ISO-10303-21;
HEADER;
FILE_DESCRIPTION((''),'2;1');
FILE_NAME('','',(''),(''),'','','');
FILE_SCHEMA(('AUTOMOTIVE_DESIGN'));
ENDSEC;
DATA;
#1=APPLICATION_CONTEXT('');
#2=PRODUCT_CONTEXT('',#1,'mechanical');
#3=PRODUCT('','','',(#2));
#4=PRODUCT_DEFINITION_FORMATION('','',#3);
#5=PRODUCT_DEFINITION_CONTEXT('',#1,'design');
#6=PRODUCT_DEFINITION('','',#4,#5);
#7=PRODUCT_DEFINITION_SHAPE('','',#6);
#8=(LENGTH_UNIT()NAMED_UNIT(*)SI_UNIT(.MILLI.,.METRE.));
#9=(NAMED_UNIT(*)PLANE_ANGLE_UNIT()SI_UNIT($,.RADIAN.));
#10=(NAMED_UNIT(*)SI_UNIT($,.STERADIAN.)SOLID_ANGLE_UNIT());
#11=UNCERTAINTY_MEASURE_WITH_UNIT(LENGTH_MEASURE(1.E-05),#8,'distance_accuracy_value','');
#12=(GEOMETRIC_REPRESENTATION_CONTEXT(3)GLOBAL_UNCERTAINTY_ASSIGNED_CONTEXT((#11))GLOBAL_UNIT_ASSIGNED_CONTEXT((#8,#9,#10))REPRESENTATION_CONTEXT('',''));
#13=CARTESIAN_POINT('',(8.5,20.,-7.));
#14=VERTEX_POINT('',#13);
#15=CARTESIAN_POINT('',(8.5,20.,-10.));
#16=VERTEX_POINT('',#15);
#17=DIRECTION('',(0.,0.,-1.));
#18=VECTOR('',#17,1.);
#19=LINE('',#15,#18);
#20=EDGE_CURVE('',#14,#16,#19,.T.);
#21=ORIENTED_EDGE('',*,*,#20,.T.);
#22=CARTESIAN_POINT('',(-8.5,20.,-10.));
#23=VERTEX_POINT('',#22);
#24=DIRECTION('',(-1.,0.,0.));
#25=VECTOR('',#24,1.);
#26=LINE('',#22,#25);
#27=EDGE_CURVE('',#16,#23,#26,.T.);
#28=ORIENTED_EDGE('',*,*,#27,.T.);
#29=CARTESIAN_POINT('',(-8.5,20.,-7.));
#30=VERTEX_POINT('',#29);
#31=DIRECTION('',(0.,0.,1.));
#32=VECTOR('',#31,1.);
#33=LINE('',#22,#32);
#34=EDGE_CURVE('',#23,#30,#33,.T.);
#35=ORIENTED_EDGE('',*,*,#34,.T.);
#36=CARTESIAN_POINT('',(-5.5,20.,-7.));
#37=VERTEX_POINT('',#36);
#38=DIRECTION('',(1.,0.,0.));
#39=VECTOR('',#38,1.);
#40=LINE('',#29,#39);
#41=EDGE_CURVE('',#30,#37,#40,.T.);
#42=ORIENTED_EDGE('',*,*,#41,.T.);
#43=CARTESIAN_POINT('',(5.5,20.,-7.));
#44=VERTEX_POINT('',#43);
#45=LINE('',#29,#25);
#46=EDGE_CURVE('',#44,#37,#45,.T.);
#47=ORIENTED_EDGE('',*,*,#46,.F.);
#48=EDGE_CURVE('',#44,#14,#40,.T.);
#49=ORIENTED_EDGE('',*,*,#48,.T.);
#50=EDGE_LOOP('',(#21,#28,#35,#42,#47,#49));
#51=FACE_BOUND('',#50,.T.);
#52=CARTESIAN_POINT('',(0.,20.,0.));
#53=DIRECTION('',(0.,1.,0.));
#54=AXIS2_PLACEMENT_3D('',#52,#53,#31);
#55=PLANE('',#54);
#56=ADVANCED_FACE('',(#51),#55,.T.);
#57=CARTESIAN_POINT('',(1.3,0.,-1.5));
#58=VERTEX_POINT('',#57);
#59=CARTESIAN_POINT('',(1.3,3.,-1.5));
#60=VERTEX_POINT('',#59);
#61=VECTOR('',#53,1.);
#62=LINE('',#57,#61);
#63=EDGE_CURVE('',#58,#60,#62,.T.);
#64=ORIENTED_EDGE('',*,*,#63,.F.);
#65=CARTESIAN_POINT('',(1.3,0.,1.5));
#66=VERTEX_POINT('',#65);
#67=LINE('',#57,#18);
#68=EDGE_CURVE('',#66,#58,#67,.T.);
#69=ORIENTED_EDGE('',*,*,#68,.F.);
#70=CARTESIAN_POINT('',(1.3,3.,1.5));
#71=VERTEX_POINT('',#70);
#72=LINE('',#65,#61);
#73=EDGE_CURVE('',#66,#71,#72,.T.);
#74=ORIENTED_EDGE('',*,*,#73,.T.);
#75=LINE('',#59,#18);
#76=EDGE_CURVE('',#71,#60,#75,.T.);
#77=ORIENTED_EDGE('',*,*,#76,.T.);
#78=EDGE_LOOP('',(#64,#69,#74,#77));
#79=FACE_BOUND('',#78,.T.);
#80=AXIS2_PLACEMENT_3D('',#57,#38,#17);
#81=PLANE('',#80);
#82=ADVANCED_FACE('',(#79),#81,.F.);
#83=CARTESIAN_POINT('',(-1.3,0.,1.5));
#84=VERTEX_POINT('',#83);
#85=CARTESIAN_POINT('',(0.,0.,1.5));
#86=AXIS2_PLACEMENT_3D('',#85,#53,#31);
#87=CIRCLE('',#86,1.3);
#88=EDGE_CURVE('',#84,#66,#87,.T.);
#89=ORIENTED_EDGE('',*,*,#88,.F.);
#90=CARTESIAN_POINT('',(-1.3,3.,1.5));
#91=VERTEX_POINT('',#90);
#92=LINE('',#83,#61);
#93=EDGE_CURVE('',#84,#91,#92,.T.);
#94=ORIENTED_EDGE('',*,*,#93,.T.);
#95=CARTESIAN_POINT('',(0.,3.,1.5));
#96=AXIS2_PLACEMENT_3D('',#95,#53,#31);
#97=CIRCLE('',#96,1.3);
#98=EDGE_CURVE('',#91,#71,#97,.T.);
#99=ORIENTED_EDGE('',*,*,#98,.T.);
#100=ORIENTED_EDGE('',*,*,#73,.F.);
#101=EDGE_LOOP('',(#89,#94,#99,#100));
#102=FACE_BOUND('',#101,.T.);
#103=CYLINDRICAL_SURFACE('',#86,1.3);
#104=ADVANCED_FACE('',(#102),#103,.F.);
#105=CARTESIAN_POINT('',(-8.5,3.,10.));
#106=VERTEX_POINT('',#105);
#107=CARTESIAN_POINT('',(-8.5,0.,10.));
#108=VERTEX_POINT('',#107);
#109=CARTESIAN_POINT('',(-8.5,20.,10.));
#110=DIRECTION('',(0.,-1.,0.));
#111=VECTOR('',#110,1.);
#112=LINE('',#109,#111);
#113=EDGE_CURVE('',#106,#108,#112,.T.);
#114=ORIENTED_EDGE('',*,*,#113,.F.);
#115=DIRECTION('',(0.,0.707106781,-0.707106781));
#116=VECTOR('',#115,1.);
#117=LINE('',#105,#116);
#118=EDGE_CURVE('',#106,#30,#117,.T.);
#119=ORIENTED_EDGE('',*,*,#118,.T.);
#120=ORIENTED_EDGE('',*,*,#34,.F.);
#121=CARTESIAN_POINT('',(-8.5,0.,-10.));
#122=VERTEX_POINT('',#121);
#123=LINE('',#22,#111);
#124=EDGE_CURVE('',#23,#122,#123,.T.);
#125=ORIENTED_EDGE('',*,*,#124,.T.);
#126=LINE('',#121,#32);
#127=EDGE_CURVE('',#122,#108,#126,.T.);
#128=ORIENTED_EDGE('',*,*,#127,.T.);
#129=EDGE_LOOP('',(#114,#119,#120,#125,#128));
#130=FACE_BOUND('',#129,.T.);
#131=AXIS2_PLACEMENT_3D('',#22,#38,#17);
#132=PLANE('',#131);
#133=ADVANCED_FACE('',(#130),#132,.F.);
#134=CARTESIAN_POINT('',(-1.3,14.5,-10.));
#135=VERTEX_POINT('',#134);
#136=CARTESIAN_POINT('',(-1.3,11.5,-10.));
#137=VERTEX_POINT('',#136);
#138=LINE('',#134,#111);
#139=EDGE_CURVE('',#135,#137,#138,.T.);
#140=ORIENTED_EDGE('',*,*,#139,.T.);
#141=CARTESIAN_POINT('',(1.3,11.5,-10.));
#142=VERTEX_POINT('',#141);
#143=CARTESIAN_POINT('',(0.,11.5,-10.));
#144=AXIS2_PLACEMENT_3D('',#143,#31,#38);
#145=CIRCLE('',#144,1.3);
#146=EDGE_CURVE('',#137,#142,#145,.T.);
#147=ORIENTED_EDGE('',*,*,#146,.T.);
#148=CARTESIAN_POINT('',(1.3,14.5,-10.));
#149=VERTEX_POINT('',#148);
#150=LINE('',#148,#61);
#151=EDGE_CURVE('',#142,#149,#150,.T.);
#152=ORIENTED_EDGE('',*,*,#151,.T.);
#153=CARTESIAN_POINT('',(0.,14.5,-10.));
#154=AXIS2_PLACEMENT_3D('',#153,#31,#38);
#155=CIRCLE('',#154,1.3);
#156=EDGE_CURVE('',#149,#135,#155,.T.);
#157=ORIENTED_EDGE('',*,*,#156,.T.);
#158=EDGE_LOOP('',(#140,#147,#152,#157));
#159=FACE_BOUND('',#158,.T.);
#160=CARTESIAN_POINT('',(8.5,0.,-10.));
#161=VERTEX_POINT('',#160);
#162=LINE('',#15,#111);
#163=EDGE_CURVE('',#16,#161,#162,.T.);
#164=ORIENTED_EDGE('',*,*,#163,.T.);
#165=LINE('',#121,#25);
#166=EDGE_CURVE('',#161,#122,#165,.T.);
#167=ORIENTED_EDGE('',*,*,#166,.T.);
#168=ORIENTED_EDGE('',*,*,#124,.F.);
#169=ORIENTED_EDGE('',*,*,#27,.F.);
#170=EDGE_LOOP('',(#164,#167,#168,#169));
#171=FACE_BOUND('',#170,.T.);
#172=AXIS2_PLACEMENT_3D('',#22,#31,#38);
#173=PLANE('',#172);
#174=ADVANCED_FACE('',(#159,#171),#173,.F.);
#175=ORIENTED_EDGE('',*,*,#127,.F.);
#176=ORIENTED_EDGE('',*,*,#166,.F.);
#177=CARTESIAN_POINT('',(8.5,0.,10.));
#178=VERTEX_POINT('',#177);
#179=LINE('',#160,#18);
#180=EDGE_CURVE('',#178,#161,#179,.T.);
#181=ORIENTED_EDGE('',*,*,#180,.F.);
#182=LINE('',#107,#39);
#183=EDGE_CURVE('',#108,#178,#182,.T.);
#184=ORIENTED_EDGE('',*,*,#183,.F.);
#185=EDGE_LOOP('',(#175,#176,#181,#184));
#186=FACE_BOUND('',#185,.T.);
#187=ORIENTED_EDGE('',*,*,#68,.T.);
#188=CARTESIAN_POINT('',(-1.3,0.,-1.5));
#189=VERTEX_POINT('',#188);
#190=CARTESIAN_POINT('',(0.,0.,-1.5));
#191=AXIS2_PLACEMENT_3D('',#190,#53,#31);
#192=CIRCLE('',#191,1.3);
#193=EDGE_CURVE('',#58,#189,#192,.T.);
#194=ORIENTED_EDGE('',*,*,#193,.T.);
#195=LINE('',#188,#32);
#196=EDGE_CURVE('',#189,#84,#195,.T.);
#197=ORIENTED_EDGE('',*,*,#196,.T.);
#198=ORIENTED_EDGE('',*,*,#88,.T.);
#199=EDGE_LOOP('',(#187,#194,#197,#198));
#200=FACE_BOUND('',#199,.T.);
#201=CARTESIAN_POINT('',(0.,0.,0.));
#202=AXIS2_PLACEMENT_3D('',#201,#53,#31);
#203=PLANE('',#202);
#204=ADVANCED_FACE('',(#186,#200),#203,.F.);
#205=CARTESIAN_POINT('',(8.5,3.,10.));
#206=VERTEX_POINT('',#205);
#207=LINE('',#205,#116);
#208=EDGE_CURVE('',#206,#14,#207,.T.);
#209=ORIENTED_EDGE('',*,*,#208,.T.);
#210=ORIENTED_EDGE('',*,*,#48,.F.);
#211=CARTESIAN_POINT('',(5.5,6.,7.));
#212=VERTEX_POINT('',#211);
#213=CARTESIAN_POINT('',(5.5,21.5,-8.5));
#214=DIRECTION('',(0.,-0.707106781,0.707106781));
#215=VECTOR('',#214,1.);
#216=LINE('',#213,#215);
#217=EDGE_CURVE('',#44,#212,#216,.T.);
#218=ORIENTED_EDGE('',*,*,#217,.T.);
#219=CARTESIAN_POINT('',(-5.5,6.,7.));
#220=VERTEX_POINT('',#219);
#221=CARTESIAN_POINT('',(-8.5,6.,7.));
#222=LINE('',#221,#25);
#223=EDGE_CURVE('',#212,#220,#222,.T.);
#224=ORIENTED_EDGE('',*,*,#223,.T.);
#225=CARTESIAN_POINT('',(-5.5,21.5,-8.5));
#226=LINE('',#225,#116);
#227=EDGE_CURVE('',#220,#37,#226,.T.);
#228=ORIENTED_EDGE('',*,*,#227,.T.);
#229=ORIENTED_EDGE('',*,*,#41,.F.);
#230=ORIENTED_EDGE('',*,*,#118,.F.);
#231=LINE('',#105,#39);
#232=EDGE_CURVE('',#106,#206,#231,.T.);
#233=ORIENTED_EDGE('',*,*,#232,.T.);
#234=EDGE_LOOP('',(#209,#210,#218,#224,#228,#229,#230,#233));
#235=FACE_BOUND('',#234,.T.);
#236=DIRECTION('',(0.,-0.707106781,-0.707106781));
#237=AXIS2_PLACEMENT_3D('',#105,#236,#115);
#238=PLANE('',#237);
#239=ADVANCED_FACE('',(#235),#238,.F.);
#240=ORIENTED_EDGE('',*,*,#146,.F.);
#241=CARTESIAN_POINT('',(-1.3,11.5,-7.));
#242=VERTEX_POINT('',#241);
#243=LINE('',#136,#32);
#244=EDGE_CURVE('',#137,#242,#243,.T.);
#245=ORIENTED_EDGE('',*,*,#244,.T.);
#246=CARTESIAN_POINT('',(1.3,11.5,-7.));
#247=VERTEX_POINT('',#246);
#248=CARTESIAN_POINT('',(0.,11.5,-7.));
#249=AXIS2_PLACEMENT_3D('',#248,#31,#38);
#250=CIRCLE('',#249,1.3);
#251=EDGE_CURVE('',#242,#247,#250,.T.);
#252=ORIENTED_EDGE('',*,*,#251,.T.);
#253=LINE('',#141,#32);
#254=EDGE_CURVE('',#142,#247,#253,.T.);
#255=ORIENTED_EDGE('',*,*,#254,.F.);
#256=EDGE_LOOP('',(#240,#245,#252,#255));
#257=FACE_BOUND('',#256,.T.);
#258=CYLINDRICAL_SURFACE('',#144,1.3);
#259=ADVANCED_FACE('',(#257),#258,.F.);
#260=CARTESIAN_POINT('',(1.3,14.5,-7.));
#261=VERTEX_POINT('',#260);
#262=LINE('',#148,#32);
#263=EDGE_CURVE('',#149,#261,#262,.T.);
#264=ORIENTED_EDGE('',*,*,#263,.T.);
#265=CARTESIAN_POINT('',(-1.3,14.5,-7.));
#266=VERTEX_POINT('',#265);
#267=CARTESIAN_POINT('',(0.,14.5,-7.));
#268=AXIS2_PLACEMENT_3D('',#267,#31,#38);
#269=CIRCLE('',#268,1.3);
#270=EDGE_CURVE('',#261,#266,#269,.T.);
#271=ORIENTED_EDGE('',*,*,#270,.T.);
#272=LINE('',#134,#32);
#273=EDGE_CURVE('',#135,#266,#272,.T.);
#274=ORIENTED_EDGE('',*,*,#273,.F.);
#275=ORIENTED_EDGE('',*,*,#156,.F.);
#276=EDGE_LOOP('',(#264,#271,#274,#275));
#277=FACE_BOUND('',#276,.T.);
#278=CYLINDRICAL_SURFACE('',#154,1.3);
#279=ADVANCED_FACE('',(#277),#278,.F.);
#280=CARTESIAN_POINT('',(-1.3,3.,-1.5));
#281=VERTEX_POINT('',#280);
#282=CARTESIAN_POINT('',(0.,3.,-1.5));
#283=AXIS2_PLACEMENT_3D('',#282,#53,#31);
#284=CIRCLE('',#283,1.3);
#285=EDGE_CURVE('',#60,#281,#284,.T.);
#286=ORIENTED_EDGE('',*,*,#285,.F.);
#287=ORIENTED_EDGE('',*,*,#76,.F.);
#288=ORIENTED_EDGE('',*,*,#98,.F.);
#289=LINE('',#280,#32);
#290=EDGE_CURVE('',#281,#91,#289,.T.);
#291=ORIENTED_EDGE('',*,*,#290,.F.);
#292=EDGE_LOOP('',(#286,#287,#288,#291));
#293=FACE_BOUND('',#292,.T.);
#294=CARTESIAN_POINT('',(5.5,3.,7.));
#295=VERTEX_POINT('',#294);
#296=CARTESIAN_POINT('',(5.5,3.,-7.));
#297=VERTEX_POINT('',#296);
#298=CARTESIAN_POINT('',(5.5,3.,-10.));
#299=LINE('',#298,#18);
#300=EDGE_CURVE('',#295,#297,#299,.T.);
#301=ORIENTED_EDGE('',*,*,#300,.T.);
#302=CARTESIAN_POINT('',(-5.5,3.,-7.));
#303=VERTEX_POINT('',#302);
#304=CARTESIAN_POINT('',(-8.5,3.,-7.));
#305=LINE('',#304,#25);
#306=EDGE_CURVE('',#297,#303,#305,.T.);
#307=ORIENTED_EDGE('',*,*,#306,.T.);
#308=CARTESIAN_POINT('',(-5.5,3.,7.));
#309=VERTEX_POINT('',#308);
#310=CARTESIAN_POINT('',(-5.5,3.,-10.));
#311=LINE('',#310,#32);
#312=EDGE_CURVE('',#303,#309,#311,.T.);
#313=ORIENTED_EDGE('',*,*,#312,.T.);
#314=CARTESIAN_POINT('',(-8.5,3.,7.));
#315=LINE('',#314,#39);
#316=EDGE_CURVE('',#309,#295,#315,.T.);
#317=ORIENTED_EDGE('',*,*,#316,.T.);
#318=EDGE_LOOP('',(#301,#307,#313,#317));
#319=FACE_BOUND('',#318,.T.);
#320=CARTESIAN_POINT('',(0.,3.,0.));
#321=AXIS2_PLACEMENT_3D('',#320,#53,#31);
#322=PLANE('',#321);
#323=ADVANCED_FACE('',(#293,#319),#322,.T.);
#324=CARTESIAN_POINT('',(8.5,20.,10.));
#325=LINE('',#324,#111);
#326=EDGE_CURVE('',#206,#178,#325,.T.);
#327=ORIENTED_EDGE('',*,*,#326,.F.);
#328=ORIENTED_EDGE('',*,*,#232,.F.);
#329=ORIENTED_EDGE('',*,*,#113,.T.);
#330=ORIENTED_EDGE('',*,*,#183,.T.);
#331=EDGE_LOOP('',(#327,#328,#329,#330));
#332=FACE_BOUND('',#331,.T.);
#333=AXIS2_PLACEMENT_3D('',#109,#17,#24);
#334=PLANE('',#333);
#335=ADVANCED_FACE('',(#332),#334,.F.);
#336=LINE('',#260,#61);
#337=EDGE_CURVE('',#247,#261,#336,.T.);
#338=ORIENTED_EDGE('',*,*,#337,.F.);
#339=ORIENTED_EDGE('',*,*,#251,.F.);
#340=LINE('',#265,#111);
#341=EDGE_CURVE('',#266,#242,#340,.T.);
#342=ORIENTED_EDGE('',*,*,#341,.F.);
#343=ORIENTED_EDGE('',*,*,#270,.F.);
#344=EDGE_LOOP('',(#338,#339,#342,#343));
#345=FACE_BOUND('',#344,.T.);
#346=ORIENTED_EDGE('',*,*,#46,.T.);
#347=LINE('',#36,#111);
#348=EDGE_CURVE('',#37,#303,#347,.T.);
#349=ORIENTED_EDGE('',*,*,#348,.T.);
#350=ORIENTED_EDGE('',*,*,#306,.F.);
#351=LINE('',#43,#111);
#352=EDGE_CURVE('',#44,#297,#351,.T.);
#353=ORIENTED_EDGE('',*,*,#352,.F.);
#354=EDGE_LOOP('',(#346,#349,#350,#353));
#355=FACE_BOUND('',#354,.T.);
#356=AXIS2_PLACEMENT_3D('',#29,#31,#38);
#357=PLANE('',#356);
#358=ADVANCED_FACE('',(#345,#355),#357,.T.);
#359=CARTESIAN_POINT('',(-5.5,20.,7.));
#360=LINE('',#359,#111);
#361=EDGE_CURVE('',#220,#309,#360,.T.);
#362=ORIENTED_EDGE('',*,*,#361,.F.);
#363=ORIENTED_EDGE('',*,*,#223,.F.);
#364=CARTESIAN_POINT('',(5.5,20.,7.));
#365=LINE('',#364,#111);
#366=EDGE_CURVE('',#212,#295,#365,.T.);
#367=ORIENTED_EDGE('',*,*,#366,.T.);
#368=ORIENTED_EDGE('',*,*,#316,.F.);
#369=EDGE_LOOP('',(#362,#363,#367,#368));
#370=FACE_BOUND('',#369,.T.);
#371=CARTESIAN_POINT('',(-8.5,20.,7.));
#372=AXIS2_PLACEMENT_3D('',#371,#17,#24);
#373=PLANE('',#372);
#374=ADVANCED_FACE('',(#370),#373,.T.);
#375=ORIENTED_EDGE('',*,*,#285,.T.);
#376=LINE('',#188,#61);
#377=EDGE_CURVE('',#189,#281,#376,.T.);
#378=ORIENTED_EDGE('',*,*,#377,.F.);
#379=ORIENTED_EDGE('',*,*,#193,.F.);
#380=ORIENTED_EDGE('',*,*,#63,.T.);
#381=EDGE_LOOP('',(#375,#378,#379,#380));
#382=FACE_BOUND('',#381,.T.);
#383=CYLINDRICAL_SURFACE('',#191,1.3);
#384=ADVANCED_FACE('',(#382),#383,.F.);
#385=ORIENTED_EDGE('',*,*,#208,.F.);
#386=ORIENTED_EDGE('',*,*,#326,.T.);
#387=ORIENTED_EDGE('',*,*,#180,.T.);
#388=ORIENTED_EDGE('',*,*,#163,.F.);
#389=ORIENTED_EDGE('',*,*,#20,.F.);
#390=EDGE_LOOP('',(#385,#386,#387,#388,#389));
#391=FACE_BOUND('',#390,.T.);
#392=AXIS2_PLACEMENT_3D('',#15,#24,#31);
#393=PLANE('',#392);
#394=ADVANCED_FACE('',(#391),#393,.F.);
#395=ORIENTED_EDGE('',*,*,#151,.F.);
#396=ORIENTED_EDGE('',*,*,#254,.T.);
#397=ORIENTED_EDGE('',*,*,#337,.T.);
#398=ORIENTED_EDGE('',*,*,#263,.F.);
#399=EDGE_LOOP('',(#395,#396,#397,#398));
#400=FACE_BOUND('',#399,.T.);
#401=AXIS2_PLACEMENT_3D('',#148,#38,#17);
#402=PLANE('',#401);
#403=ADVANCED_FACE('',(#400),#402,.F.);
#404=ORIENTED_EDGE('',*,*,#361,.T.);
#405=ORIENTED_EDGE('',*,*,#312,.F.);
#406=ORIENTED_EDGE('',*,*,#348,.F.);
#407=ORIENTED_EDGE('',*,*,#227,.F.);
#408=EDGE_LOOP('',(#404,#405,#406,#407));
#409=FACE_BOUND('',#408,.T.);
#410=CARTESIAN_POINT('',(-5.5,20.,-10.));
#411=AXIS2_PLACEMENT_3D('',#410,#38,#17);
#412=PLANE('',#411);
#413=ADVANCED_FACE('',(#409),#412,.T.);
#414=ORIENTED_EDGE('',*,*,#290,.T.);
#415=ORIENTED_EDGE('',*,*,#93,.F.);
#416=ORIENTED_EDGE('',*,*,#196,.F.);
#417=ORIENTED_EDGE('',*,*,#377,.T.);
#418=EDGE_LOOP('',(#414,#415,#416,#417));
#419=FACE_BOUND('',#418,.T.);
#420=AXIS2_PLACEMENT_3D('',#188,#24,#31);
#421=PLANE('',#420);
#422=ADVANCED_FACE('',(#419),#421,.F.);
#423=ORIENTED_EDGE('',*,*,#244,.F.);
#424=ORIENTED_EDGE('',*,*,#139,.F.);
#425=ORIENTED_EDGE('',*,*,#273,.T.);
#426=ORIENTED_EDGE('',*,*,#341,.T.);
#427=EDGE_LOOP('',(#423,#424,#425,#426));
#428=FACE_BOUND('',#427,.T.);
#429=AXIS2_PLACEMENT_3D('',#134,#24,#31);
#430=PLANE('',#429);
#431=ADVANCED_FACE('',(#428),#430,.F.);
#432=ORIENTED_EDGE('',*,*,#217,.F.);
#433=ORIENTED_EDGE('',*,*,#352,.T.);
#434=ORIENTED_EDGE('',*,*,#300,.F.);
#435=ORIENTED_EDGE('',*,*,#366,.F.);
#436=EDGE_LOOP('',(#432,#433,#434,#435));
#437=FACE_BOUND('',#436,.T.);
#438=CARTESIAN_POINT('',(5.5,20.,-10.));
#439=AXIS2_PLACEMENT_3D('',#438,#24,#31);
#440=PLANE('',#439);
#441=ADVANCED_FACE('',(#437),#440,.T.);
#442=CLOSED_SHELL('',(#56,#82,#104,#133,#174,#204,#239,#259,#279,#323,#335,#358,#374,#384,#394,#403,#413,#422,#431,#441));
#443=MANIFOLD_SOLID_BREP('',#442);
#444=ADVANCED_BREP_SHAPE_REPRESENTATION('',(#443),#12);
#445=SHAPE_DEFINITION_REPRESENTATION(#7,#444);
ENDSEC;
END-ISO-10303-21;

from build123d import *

# Parameters (mm, degrees)
SKETCH1_W           = 17
SKETCH1_H           = 20
BOSS_EXTRUDE1_DEPTH = 20
SHELL1_T            = -3
CUT_EXTRUDE1_DEPTH  = 18
CUT_EXTRUDE2_DEPTH  = 4
CUT_EXTRUDE3_DEPTH  = 4


with BuildPart() as part:
    # Sketch1 → Boss-Extrude1 (new body)
    with BuildSketch(Plane(origin=(0, 0, 0), x_dir=(1, 0, 0), z_dir=(0, 1, 0))):
        Rectangle(SKETCH1_W, SKETCH1_H)
    extrude(amount=BOSS_EXTRUDE1_DEPTH)

    # Shell1
    shell1_openings = [part.faces().sort_by_distance(p)[0] for p in [
        (0, 20, 0),
    ]]
    offset(amount=SHELL1_T, openings=shell1_openings, kind=Kind.INTERSECTION)

    # Sketch3 → Cut-Extrude1 (cut, through all)
    with BuildSketch(Plane(origin=(8.5, 0, 0), x_dir=(0, 0, -1), z_dir=(1, 0, 0))):
        Polygon((7, 20), (-10, 20), (-10, 3), align=None)
    extrude(amount=-CUT_EXTRUDE1_DEPTH, mode=Mode.SUBTRACT)

    # Sketch4 → Cut-Extrude2 (cut, through all)
    with BuildSketch(Plane(origin=(0, 3, 0), x_dir=(1, 0, 0), z_dir=(0, 1, 0))):
        with BuildLine():
            Line((1.3, 1.5), (1.3, -1.5))
            ThreePointArc((1.3, -1.5), (0, -2.8), (-1.3, -1.5))
            Line((-1.3, -1.5), (-1.3, 1.5))
            ThreePointArc((-1.3, 1.5), (0, 2.8), (1.3, 1.5))
        make_face()
    extrude(amount=-CUT_EXTRUDE2_DEPTH, mode=Mode.SUBTRACT)

    # Sketch5 → Cut-Extrude3 (cut, through all)
    with BuildSketch(Plane.XY.offset(-7)):
        with BuildLine():
            Line((1.3, 14.5), (1.3, 11.5))
            ThreePointArc((1.3, 11.5), (0, 10.2), (-1.3, 11.5))
            Line((-1.3, 11.5), (-1.3, 14.5))
            ThreePointArc((-1.3, 14.5), (0, 15.8), (1.3, 14.5))
        make_face()
    extrude(amount=-CUT_EXTRUDE3_DEPTH, mode=Mode.SUBTRACT)


solid = part.part
